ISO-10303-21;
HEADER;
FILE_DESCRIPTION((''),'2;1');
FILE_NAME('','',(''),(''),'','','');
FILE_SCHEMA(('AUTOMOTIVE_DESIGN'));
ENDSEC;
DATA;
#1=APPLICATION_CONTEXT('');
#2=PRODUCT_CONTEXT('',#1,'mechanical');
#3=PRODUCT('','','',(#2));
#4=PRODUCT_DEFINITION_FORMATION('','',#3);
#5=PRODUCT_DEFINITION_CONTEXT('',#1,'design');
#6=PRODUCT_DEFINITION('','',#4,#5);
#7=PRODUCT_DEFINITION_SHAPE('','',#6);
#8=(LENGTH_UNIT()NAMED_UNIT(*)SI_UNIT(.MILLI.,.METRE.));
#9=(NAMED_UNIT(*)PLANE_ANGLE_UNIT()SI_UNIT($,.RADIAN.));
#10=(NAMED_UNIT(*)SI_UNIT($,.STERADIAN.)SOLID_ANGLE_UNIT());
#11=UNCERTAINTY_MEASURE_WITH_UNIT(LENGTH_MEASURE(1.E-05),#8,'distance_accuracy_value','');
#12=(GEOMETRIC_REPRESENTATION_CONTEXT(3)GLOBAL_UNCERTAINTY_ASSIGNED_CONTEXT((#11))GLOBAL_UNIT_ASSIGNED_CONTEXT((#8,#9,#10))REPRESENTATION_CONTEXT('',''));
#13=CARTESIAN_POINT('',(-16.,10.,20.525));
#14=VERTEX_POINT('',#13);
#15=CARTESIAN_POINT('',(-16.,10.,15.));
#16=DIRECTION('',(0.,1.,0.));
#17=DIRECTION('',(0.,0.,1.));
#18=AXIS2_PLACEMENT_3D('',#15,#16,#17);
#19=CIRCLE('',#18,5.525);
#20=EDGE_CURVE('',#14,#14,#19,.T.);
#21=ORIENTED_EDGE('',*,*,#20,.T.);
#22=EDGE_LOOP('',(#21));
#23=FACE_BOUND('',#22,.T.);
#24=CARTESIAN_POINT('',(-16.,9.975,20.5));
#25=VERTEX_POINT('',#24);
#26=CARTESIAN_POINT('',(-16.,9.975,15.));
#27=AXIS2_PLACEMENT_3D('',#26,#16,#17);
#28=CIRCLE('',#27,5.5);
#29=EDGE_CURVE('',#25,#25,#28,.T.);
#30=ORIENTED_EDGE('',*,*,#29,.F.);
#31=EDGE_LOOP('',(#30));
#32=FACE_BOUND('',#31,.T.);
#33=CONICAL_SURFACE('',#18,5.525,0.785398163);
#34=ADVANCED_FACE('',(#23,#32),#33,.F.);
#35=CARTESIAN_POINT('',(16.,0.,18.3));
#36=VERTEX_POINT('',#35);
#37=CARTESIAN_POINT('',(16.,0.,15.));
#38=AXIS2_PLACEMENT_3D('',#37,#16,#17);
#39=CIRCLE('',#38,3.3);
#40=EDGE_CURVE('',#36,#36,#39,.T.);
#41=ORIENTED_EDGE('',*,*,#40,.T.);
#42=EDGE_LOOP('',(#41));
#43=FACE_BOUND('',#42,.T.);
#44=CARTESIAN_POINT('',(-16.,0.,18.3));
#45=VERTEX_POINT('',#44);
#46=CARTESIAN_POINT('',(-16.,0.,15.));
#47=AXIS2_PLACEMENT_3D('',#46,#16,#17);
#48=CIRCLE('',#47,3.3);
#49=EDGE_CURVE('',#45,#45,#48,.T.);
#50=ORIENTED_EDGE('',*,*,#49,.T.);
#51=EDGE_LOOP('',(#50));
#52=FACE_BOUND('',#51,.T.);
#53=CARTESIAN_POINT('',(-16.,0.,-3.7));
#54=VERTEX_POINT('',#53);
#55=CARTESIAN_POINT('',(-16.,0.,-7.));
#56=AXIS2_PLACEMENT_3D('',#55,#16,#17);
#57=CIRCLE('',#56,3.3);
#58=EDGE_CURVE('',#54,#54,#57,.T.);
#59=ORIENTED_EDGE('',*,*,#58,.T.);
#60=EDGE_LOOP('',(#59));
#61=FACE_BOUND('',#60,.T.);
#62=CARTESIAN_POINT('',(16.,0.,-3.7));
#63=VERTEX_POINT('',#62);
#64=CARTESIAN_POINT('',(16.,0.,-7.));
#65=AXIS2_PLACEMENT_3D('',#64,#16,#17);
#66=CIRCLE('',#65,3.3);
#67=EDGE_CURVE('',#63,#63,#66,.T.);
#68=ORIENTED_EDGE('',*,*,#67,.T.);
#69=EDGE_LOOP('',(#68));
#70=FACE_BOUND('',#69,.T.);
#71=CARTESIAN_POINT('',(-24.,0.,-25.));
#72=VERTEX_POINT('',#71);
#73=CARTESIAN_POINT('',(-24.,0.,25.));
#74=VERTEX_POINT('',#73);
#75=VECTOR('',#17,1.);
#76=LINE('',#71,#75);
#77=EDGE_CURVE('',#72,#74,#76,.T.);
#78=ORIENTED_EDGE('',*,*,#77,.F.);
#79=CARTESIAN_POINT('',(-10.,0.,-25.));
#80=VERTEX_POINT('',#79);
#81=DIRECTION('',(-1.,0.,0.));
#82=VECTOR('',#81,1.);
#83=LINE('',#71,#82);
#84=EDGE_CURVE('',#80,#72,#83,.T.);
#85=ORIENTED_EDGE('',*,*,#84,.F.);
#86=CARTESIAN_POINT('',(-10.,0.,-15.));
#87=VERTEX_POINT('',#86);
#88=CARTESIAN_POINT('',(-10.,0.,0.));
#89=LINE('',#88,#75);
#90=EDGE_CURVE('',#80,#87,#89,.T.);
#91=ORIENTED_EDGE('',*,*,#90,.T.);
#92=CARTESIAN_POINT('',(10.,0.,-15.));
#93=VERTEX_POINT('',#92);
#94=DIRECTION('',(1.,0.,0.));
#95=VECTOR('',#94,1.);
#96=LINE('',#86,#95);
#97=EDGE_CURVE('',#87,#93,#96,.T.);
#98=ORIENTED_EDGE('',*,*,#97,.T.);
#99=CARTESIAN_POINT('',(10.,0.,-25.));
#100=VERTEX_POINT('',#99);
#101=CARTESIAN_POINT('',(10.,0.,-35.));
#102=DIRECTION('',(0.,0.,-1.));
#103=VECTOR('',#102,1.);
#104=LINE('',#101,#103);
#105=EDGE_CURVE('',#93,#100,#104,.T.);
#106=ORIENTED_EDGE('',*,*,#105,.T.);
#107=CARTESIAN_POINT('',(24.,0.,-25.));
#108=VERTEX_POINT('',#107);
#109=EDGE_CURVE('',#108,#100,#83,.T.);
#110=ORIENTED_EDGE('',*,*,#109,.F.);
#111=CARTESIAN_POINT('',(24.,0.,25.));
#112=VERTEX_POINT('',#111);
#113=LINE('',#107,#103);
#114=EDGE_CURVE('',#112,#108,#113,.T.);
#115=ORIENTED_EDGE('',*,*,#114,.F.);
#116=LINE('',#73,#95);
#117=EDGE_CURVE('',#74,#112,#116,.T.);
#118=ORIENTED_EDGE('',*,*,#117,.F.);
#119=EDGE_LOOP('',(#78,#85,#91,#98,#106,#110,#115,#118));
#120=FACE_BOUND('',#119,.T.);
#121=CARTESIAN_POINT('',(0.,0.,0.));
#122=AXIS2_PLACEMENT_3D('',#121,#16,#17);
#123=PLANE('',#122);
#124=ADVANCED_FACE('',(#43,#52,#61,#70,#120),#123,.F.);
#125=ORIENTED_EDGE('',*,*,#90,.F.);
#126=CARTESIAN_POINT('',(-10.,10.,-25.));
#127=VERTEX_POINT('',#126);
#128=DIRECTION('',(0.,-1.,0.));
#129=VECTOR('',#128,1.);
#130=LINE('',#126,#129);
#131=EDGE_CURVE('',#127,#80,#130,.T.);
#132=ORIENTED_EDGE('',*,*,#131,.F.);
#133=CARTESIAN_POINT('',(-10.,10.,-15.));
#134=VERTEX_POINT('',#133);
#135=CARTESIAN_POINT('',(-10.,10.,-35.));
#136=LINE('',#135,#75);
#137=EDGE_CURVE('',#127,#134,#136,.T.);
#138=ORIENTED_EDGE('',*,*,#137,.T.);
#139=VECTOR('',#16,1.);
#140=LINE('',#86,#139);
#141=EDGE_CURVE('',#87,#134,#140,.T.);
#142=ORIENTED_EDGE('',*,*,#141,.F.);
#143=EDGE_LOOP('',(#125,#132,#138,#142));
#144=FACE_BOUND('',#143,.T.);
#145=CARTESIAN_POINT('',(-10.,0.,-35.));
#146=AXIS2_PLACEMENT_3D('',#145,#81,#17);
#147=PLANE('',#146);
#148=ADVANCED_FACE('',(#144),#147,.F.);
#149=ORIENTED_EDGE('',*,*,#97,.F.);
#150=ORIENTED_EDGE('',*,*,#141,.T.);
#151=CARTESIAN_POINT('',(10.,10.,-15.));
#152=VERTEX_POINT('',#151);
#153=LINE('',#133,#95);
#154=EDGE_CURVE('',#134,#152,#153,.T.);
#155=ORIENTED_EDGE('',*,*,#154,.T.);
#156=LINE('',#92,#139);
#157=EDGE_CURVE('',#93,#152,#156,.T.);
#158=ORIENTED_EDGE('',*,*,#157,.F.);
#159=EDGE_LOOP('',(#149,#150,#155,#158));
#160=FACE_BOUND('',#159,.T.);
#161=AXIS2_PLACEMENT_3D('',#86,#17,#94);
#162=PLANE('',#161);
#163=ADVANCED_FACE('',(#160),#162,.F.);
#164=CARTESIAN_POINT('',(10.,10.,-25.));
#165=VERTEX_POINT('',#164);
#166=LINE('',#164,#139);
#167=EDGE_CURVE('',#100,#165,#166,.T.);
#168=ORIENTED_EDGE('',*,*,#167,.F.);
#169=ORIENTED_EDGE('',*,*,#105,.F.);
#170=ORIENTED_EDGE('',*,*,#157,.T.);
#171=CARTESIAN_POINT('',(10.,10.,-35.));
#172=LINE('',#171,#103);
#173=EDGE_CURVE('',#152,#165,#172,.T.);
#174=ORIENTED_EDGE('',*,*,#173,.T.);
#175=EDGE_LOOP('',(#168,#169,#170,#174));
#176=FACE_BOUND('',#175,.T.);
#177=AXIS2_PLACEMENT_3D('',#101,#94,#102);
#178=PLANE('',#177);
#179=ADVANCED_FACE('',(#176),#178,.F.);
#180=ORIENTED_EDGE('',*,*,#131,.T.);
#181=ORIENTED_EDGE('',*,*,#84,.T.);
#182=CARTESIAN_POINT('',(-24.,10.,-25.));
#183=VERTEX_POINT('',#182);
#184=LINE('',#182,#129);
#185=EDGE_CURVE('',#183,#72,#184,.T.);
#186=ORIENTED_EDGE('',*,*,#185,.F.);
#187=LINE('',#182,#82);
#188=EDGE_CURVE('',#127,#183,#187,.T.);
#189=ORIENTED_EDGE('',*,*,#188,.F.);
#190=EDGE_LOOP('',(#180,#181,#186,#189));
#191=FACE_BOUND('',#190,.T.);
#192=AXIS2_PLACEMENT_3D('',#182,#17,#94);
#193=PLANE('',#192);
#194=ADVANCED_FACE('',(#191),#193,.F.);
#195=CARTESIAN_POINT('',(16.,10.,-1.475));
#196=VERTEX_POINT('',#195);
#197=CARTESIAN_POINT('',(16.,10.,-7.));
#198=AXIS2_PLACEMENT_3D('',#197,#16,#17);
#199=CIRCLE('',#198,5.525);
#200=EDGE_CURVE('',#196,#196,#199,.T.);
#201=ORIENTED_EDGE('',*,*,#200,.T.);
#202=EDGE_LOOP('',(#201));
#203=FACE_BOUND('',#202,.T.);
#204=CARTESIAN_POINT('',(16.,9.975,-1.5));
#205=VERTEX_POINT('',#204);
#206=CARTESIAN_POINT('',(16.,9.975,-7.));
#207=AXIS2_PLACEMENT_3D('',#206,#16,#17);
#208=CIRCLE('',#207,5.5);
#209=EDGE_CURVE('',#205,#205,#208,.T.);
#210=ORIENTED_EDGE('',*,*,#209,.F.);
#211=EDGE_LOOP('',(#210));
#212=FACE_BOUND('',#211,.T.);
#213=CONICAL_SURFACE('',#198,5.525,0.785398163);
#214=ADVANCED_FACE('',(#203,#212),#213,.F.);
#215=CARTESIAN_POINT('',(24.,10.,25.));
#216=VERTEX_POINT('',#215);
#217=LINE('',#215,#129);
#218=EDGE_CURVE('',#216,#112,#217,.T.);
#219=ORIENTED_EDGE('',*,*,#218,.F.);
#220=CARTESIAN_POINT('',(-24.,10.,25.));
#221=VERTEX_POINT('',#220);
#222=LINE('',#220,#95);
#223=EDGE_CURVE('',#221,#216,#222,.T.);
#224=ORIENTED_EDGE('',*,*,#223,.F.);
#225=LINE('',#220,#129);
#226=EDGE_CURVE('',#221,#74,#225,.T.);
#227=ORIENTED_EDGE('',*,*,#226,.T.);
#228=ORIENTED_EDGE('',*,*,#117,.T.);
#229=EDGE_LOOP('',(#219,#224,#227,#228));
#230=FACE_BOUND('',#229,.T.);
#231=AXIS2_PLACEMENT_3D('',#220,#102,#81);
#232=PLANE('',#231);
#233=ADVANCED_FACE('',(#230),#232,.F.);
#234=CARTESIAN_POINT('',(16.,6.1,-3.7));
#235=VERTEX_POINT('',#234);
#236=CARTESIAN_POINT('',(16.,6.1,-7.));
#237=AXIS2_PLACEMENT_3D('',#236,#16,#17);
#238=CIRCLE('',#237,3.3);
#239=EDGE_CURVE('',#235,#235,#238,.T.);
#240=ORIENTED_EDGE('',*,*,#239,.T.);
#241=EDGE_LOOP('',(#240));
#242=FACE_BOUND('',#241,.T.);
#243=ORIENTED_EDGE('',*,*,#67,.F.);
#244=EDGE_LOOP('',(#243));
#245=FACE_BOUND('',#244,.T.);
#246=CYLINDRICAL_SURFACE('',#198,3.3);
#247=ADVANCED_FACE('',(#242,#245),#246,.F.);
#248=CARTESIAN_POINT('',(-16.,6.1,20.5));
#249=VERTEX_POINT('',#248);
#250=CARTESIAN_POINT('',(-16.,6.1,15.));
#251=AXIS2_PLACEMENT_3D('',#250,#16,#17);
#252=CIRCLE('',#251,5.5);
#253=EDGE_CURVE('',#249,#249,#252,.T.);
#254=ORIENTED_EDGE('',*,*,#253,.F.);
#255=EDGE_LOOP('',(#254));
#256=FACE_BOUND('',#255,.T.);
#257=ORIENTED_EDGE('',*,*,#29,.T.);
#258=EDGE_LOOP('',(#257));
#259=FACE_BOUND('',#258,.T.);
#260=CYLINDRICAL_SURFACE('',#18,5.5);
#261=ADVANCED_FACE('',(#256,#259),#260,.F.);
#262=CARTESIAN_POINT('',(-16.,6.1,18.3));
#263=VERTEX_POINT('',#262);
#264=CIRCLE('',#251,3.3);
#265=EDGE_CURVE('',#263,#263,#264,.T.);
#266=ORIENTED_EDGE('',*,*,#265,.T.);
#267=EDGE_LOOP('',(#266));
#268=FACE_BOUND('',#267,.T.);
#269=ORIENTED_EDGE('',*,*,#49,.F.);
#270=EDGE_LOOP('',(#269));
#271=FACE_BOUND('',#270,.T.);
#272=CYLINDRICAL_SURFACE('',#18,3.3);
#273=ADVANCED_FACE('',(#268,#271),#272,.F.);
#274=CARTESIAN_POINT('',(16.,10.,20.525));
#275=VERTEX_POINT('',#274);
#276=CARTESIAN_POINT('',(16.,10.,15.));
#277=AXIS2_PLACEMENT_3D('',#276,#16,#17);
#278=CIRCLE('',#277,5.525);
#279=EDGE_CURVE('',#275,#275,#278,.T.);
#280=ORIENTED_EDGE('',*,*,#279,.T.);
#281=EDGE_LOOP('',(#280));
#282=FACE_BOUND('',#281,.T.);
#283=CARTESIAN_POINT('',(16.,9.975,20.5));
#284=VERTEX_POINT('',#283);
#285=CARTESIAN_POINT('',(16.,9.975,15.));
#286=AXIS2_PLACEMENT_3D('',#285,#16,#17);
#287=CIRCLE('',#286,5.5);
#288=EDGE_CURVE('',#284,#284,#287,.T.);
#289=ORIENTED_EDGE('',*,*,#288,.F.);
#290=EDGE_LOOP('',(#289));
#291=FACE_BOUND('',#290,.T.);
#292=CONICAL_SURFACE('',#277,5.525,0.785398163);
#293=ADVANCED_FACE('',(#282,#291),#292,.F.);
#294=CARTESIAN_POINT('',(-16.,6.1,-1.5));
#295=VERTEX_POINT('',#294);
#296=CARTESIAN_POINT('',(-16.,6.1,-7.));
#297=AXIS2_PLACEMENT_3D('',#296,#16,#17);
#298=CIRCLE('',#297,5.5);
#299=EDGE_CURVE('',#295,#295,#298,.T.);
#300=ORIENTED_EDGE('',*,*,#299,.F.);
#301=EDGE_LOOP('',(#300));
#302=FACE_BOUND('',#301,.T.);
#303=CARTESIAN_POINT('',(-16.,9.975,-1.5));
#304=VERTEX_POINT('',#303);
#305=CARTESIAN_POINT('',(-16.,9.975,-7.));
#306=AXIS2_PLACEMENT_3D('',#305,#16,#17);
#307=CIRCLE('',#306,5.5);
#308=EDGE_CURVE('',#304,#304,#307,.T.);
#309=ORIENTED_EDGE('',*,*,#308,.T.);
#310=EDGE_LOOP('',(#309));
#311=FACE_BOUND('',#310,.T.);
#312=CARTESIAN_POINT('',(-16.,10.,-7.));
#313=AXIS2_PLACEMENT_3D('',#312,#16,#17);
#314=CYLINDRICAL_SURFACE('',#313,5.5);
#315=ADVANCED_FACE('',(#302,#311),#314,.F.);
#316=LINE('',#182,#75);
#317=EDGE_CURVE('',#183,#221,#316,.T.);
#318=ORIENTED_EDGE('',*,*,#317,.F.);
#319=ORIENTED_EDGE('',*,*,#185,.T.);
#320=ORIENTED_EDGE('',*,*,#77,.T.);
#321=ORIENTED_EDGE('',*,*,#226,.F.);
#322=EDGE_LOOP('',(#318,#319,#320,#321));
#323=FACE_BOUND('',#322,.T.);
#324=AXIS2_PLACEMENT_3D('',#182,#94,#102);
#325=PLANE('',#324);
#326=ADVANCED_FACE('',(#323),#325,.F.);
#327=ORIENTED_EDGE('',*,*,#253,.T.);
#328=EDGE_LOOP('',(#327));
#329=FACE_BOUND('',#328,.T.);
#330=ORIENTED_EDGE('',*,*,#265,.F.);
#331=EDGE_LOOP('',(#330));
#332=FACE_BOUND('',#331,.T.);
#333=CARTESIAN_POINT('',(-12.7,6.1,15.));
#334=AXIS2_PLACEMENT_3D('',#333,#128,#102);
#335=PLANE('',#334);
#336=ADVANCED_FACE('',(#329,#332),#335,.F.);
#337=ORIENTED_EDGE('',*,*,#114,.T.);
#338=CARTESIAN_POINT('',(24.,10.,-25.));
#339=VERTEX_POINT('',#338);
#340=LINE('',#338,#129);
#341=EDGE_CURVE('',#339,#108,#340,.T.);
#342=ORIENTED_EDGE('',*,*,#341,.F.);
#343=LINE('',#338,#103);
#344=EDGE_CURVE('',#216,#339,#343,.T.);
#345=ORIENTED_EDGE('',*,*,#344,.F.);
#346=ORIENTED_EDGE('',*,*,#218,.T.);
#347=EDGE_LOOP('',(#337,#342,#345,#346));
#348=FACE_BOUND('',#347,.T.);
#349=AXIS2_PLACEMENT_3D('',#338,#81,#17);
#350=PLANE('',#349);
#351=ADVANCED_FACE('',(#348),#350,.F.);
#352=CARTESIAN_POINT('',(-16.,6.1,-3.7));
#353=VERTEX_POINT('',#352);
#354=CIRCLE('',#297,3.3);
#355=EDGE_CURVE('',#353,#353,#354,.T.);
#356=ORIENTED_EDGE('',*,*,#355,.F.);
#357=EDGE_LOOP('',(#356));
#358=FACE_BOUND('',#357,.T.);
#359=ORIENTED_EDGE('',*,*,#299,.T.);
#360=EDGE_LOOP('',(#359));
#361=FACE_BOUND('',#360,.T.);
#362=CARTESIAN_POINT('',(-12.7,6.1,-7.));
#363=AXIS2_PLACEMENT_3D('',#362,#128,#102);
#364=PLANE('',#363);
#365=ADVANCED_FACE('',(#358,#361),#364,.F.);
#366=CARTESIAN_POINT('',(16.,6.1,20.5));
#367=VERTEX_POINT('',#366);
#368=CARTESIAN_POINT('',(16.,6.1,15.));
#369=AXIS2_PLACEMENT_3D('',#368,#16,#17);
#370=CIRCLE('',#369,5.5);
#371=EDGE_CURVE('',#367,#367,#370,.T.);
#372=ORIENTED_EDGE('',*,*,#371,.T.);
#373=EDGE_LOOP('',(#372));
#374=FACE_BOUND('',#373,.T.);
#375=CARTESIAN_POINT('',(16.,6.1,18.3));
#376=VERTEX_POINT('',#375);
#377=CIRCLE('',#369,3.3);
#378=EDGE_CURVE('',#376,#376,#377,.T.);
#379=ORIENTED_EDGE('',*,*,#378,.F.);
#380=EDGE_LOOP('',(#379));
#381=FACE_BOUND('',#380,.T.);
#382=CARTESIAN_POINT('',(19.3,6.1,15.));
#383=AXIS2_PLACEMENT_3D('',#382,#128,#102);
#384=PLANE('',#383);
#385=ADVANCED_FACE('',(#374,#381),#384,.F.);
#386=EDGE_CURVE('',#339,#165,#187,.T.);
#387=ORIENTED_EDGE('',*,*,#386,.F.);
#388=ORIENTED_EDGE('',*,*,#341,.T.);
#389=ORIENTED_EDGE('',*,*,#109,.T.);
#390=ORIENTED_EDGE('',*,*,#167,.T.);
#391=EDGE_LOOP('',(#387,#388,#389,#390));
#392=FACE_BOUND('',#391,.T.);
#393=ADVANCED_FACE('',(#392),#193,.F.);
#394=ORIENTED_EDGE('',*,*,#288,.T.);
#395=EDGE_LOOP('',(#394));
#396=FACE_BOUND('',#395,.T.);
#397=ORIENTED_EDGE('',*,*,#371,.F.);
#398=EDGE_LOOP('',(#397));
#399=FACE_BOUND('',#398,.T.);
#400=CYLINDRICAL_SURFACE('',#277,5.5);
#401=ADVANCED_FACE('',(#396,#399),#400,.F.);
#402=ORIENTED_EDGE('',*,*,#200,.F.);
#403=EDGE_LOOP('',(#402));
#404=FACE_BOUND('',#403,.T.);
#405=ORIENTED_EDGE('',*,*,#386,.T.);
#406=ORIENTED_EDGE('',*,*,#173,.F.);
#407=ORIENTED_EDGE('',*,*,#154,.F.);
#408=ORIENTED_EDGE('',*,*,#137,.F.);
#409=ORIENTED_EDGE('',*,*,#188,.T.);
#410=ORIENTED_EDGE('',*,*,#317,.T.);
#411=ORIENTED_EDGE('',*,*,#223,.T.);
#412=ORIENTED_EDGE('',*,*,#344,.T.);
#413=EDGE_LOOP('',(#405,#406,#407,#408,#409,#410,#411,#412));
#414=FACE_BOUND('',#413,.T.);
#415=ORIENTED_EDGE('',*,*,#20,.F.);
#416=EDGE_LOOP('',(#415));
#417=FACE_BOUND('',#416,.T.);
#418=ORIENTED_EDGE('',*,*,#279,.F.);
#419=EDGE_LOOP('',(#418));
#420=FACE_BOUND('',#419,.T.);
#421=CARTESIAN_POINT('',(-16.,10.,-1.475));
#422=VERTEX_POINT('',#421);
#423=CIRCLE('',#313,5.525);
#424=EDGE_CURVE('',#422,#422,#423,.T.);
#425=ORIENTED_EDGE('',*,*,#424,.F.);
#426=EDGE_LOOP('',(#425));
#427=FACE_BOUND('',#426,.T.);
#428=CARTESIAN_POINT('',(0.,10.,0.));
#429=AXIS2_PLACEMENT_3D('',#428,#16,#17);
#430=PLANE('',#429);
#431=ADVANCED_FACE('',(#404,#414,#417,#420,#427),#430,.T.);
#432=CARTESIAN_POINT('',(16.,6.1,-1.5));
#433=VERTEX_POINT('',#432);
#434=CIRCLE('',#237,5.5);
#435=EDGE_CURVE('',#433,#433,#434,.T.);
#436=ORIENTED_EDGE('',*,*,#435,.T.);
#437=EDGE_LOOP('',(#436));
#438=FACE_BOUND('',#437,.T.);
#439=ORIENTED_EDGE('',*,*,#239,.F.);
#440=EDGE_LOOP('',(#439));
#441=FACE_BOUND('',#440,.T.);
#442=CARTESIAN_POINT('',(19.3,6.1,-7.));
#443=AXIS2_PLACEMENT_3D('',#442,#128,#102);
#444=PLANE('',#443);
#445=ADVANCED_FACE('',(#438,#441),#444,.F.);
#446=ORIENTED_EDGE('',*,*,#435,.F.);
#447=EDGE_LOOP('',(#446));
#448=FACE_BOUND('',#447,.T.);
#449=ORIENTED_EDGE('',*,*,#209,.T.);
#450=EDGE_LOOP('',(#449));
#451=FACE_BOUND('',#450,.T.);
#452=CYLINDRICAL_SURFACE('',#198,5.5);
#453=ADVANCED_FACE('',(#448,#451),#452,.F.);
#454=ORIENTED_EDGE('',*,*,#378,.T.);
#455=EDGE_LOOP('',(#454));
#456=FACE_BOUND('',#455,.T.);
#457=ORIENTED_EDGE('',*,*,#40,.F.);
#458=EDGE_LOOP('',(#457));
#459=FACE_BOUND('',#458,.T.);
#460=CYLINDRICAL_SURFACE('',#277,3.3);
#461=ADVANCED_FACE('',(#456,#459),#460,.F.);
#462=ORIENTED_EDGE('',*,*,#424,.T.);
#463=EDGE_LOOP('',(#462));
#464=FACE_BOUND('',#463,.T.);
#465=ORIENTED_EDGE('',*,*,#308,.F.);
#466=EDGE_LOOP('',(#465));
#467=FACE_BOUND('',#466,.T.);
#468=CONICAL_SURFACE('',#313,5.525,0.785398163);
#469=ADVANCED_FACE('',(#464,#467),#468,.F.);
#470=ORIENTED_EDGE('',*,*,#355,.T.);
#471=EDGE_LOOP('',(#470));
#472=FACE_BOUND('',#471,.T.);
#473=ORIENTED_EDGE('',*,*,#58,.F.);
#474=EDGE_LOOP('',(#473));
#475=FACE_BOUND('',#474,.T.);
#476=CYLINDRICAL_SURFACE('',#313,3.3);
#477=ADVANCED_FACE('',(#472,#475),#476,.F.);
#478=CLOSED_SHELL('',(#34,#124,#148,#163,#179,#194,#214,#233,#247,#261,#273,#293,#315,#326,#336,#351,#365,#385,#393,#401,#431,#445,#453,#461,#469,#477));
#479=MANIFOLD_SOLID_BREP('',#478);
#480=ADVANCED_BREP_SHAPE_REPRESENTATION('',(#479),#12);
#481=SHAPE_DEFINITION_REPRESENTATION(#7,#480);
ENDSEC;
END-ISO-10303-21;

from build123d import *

# Parameters (mm, degrees)
SKETCH1_W                                  = 48
SKETCH1_H                                  = 50
BOSS_EXTRUDE1_DEPTH                        = 10
SKETCH2_W                                  = 20
SKETCH2_H                                  = 20
CUT_EXTRUDE1_DEPTH                         = 10
CBORE_FOR_M6_CHEESE_HEAD_SCREW1_AT_2_COUNT = 2
CBORE_FOR_M6_CHEESE_HEAD_SCREW1_AT_2_PITCH = 22
CBORE_FOR_M6_CHEESE_HEAD_SCREW1_AT_3_COUNT = 2
CBORE_FOR_M6_CHEESE_HEAD_SCREW1_AT_3_PITCH = 38.832975678
CBORE_FOR_M6_CHEESE_HEAD_SCREW1_AT_4_COUNT = 2
CBORE_FOR_M6_CHEESE_HEAD_SCREW1_AT_4_PITCH = 32


with BuildPart() as part:
    # Sketch1 → Boss-Extrude1 (new body)
    with BuildSketch(Plane(origin=(0, 0, 0), x_dir=(1, 0, 0), z_dir=(0, 1, 0))):
        Rectangle(SKETCH1_W, SKETCH1_H)
    extrude(amount=BOSS_EXTRUDE1_DEPTH)

    # Sketch2 → Cut-Extrude1 (cut)
    with BuildSketch(Plane(origin=(0, 10, 0), x_dir=(1, 0, 0), z_dir=(0, 1, 0))):
        with Locations((0, 25)):
            Rectangle(SKETCH2_W, SKETCH2_H)
    extrude(amount=-CUT_EXTRUDE1_DEPTH, mode=Mode.SUBTRACT)

    # Sketch4 → CBORE for M6 Cheese Head Screw1 (revolve, cut)
    with BuildSketch(Plane(origin=(-16, 10, -7), x_dir=(0, 0, 1), z_dir=(1, 0, 0))):
        Polygon((0, 0), (0, 11.982840043), (3.3, 10), (3.3, 3.9), (5.5, 3.9), (5.5, 0.025), (5.525, 0), align=None)
    cbore_for_m6_cheese_head_screw1 = revolve(axis=Axis((-16, 16.35, -7), (0, -1, 0)), mode=Mode.SUBTRACT)

    # CBORE for M6 Cheese Head Screw1 at 2: CBORE for M6 Cheese Head Screw1 ×2
    with Locations(*[(0, 0, i * CBORE_FOR_M6_CHEESE_HEAD_SCREW1_AT_2_PITCH) for i in range(1, CBORE_FOR_M6_CHEESE_HEAD_SCREW1_AT_2_COUNT)]):
        add(cbore_for_m6_cheese_head_screw1, mode=Mode.SUBTRACT)

    # CBORE for M6 Cheese Head Screw1 at 3: CBORE for M6 Cheese Head Screw1 ×2
    with Locations(*[Vector(0.8240419241993677, 0, 0.5665288228870652) * (i * CBORE_FOR_M6_CHEESE_HEAD_SCREW1_AT_3_PITCH) for i in range(1, CBORE_FOR_M6_CHEESE_HEAD_SCREW1_AT_3_COUNT)]):
        add(cbore_for_m6_cheese_head_screw1, mode=Mode.SUBTRACT)

    # CBORE for M6 Cheese Head Screw1 at 4: CBORE for M6 Cheese Head Screw1 ×2
    with Locations(*[(i * CBORE_FOR_M6_CHEESE_HEAD_SCREW1_AT_4_PITCH, 0, 0) for i in range(1, CBORE_FOR_M6_CHEESE_HEAD_SCREW1_AT_4_COUNT)]):
        add(cbore_for_m6_cheese_head_screw1, mode=Mode.SUBTRACT)


solid = part.part
